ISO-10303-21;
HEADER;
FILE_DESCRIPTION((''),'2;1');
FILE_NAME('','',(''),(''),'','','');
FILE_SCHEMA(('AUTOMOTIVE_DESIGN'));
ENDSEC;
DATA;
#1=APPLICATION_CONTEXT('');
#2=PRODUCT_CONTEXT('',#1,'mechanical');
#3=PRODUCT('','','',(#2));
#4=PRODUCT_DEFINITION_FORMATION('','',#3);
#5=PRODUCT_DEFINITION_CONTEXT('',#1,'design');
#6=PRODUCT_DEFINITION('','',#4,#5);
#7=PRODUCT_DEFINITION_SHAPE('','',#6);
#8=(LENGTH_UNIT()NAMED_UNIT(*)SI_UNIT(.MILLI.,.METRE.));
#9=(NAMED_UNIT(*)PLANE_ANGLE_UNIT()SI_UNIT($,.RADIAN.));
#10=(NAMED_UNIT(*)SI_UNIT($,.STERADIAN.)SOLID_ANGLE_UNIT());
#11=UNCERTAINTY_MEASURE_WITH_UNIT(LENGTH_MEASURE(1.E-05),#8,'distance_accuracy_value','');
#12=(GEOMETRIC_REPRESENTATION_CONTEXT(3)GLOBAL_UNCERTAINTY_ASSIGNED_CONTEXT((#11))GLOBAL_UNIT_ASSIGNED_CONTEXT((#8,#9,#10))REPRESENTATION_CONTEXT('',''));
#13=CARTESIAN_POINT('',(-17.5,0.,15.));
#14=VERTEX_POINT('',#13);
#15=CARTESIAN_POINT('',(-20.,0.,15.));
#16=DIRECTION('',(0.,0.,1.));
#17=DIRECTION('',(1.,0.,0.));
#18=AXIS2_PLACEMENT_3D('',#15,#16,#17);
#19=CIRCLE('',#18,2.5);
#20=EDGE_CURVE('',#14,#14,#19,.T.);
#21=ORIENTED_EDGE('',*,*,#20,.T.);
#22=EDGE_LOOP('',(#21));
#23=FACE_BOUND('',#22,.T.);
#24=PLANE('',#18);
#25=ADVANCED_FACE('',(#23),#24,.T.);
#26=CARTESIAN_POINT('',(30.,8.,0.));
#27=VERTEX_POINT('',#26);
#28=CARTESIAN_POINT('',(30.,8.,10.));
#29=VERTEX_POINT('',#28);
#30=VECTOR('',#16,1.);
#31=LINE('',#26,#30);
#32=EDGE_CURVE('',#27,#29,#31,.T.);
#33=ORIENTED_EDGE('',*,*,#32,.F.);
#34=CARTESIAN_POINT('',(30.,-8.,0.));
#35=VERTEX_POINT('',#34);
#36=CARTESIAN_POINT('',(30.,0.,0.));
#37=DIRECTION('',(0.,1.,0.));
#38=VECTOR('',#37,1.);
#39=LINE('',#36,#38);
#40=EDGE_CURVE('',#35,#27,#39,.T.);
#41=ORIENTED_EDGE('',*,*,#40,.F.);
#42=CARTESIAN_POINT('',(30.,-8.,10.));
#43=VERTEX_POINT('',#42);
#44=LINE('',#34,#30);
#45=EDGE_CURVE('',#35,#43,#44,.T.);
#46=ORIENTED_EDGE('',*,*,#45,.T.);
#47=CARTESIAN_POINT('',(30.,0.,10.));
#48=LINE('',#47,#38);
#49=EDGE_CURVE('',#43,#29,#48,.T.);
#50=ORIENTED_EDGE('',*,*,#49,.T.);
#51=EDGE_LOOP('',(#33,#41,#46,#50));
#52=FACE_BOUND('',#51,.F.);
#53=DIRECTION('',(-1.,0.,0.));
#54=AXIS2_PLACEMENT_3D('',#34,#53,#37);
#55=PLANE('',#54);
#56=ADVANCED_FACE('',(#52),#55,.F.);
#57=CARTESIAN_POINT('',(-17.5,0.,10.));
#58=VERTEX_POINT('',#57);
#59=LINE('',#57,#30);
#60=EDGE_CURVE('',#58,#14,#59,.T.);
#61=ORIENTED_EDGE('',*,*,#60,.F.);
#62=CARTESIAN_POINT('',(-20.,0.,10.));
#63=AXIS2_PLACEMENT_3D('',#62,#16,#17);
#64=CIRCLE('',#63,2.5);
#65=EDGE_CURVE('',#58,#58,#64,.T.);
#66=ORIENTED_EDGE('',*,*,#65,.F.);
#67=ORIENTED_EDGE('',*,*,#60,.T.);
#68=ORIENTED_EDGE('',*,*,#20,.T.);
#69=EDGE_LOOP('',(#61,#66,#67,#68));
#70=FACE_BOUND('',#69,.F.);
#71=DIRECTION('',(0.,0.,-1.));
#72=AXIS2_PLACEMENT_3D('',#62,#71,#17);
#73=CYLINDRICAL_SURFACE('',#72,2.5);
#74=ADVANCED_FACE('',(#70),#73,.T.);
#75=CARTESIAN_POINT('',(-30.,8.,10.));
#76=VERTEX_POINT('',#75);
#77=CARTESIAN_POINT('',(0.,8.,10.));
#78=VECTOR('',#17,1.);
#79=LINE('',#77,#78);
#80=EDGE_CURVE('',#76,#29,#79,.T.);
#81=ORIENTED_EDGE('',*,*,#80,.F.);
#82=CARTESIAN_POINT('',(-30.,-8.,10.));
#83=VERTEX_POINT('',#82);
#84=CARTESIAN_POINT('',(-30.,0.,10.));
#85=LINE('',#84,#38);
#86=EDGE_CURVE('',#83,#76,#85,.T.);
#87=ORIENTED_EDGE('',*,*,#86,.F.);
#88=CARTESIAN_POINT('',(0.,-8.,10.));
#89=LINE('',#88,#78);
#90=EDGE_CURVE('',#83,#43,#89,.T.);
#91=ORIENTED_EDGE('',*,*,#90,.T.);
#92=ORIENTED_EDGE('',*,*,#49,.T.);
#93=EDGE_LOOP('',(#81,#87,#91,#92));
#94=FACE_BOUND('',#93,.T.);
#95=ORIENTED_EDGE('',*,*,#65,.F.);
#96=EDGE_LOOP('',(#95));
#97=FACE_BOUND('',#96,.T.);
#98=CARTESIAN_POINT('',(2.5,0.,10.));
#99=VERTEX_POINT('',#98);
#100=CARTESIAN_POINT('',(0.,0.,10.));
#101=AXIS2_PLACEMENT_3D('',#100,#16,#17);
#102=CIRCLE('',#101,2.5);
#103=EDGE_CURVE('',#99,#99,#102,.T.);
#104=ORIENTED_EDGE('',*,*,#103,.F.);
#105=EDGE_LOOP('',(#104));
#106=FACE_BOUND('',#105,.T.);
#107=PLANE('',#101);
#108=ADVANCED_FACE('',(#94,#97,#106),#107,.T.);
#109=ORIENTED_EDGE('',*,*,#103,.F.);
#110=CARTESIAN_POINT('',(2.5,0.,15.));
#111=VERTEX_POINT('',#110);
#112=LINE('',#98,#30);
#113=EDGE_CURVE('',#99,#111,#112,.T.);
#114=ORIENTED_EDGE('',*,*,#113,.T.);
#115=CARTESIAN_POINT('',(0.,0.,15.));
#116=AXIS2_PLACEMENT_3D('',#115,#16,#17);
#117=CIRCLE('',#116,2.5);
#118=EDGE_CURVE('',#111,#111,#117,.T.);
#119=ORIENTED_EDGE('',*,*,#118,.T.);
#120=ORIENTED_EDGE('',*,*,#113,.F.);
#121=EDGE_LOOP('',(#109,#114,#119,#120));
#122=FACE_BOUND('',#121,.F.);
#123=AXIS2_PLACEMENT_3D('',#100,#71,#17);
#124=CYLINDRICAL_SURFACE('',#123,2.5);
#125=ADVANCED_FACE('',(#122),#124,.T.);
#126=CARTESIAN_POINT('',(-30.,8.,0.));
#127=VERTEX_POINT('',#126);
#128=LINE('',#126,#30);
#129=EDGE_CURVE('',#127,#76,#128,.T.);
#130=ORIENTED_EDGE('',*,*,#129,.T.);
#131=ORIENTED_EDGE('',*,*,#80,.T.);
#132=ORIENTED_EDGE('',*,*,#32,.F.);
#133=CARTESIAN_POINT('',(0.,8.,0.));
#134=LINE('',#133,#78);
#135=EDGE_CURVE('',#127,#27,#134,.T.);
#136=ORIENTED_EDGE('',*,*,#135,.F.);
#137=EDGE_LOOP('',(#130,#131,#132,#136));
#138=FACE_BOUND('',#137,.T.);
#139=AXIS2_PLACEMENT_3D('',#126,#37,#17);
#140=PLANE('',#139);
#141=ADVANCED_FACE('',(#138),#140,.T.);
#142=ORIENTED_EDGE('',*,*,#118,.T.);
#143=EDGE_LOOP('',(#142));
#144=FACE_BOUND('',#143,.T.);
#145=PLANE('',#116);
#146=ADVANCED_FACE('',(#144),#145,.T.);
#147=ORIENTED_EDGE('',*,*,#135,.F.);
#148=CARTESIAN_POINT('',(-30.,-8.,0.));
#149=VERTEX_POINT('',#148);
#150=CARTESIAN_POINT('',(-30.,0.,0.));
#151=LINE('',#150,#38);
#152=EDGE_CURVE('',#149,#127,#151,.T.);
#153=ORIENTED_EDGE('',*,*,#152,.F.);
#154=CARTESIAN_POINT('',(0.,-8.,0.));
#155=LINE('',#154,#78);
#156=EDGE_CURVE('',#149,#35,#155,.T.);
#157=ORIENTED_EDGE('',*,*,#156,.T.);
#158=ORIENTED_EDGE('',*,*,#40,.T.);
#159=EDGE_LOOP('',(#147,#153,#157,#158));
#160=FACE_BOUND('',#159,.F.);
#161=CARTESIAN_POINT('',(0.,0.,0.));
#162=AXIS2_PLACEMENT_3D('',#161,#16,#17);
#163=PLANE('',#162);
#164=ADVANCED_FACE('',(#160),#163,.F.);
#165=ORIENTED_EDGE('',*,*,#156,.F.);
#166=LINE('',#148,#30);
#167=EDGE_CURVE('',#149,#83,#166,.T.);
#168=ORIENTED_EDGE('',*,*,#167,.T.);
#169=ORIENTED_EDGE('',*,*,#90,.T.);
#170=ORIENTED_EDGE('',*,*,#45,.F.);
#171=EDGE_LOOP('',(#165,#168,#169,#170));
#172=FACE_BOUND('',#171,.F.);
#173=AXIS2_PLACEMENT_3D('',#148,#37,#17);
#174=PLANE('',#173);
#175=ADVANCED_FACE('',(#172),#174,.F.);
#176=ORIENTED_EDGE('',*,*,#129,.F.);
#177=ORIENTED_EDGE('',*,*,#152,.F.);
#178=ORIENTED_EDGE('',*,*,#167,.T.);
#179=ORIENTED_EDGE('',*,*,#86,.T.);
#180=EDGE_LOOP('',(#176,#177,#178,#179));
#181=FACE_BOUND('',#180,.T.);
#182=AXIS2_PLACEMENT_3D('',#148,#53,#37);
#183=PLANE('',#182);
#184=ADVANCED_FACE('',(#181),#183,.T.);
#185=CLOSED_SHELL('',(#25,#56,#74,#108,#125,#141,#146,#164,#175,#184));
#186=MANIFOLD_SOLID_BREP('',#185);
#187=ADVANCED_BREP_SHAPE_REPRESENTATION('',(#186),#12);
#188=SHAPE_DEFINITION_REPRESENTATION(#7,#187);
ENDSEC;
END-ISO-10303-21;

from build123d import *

# Parameters (mm, degrees)
F0_W     = 60
F0_H     = 16
F1_DEPTH = 10
F2_R     = 2.5
F3_DEPTH = 5
F4_DEPTH = 5


with BuildPart() as f1:
    # F0 (on Top) → F1 (new body)
    with BuildSketch(Plane.XY):
        Rectangle(F0_W, F0_H)
    extrude(amount=F1_DEPTH)

    # F2 (on face) → F3 (join)
    with BuildSketch(Plane.XY.offset(10)):
        Circle(F2_R)
    extrude(amount=F3_DEPTH)

    # F2 (on face) → F4 (join)
    with BuildSketch(Plane.XY.offset(10)):
        with Locations((-20, 0)):
            Circle(F2_R)
        Circle(F2_R)
    extrude(amount=F4_DEPTH)


solid = f1.part
